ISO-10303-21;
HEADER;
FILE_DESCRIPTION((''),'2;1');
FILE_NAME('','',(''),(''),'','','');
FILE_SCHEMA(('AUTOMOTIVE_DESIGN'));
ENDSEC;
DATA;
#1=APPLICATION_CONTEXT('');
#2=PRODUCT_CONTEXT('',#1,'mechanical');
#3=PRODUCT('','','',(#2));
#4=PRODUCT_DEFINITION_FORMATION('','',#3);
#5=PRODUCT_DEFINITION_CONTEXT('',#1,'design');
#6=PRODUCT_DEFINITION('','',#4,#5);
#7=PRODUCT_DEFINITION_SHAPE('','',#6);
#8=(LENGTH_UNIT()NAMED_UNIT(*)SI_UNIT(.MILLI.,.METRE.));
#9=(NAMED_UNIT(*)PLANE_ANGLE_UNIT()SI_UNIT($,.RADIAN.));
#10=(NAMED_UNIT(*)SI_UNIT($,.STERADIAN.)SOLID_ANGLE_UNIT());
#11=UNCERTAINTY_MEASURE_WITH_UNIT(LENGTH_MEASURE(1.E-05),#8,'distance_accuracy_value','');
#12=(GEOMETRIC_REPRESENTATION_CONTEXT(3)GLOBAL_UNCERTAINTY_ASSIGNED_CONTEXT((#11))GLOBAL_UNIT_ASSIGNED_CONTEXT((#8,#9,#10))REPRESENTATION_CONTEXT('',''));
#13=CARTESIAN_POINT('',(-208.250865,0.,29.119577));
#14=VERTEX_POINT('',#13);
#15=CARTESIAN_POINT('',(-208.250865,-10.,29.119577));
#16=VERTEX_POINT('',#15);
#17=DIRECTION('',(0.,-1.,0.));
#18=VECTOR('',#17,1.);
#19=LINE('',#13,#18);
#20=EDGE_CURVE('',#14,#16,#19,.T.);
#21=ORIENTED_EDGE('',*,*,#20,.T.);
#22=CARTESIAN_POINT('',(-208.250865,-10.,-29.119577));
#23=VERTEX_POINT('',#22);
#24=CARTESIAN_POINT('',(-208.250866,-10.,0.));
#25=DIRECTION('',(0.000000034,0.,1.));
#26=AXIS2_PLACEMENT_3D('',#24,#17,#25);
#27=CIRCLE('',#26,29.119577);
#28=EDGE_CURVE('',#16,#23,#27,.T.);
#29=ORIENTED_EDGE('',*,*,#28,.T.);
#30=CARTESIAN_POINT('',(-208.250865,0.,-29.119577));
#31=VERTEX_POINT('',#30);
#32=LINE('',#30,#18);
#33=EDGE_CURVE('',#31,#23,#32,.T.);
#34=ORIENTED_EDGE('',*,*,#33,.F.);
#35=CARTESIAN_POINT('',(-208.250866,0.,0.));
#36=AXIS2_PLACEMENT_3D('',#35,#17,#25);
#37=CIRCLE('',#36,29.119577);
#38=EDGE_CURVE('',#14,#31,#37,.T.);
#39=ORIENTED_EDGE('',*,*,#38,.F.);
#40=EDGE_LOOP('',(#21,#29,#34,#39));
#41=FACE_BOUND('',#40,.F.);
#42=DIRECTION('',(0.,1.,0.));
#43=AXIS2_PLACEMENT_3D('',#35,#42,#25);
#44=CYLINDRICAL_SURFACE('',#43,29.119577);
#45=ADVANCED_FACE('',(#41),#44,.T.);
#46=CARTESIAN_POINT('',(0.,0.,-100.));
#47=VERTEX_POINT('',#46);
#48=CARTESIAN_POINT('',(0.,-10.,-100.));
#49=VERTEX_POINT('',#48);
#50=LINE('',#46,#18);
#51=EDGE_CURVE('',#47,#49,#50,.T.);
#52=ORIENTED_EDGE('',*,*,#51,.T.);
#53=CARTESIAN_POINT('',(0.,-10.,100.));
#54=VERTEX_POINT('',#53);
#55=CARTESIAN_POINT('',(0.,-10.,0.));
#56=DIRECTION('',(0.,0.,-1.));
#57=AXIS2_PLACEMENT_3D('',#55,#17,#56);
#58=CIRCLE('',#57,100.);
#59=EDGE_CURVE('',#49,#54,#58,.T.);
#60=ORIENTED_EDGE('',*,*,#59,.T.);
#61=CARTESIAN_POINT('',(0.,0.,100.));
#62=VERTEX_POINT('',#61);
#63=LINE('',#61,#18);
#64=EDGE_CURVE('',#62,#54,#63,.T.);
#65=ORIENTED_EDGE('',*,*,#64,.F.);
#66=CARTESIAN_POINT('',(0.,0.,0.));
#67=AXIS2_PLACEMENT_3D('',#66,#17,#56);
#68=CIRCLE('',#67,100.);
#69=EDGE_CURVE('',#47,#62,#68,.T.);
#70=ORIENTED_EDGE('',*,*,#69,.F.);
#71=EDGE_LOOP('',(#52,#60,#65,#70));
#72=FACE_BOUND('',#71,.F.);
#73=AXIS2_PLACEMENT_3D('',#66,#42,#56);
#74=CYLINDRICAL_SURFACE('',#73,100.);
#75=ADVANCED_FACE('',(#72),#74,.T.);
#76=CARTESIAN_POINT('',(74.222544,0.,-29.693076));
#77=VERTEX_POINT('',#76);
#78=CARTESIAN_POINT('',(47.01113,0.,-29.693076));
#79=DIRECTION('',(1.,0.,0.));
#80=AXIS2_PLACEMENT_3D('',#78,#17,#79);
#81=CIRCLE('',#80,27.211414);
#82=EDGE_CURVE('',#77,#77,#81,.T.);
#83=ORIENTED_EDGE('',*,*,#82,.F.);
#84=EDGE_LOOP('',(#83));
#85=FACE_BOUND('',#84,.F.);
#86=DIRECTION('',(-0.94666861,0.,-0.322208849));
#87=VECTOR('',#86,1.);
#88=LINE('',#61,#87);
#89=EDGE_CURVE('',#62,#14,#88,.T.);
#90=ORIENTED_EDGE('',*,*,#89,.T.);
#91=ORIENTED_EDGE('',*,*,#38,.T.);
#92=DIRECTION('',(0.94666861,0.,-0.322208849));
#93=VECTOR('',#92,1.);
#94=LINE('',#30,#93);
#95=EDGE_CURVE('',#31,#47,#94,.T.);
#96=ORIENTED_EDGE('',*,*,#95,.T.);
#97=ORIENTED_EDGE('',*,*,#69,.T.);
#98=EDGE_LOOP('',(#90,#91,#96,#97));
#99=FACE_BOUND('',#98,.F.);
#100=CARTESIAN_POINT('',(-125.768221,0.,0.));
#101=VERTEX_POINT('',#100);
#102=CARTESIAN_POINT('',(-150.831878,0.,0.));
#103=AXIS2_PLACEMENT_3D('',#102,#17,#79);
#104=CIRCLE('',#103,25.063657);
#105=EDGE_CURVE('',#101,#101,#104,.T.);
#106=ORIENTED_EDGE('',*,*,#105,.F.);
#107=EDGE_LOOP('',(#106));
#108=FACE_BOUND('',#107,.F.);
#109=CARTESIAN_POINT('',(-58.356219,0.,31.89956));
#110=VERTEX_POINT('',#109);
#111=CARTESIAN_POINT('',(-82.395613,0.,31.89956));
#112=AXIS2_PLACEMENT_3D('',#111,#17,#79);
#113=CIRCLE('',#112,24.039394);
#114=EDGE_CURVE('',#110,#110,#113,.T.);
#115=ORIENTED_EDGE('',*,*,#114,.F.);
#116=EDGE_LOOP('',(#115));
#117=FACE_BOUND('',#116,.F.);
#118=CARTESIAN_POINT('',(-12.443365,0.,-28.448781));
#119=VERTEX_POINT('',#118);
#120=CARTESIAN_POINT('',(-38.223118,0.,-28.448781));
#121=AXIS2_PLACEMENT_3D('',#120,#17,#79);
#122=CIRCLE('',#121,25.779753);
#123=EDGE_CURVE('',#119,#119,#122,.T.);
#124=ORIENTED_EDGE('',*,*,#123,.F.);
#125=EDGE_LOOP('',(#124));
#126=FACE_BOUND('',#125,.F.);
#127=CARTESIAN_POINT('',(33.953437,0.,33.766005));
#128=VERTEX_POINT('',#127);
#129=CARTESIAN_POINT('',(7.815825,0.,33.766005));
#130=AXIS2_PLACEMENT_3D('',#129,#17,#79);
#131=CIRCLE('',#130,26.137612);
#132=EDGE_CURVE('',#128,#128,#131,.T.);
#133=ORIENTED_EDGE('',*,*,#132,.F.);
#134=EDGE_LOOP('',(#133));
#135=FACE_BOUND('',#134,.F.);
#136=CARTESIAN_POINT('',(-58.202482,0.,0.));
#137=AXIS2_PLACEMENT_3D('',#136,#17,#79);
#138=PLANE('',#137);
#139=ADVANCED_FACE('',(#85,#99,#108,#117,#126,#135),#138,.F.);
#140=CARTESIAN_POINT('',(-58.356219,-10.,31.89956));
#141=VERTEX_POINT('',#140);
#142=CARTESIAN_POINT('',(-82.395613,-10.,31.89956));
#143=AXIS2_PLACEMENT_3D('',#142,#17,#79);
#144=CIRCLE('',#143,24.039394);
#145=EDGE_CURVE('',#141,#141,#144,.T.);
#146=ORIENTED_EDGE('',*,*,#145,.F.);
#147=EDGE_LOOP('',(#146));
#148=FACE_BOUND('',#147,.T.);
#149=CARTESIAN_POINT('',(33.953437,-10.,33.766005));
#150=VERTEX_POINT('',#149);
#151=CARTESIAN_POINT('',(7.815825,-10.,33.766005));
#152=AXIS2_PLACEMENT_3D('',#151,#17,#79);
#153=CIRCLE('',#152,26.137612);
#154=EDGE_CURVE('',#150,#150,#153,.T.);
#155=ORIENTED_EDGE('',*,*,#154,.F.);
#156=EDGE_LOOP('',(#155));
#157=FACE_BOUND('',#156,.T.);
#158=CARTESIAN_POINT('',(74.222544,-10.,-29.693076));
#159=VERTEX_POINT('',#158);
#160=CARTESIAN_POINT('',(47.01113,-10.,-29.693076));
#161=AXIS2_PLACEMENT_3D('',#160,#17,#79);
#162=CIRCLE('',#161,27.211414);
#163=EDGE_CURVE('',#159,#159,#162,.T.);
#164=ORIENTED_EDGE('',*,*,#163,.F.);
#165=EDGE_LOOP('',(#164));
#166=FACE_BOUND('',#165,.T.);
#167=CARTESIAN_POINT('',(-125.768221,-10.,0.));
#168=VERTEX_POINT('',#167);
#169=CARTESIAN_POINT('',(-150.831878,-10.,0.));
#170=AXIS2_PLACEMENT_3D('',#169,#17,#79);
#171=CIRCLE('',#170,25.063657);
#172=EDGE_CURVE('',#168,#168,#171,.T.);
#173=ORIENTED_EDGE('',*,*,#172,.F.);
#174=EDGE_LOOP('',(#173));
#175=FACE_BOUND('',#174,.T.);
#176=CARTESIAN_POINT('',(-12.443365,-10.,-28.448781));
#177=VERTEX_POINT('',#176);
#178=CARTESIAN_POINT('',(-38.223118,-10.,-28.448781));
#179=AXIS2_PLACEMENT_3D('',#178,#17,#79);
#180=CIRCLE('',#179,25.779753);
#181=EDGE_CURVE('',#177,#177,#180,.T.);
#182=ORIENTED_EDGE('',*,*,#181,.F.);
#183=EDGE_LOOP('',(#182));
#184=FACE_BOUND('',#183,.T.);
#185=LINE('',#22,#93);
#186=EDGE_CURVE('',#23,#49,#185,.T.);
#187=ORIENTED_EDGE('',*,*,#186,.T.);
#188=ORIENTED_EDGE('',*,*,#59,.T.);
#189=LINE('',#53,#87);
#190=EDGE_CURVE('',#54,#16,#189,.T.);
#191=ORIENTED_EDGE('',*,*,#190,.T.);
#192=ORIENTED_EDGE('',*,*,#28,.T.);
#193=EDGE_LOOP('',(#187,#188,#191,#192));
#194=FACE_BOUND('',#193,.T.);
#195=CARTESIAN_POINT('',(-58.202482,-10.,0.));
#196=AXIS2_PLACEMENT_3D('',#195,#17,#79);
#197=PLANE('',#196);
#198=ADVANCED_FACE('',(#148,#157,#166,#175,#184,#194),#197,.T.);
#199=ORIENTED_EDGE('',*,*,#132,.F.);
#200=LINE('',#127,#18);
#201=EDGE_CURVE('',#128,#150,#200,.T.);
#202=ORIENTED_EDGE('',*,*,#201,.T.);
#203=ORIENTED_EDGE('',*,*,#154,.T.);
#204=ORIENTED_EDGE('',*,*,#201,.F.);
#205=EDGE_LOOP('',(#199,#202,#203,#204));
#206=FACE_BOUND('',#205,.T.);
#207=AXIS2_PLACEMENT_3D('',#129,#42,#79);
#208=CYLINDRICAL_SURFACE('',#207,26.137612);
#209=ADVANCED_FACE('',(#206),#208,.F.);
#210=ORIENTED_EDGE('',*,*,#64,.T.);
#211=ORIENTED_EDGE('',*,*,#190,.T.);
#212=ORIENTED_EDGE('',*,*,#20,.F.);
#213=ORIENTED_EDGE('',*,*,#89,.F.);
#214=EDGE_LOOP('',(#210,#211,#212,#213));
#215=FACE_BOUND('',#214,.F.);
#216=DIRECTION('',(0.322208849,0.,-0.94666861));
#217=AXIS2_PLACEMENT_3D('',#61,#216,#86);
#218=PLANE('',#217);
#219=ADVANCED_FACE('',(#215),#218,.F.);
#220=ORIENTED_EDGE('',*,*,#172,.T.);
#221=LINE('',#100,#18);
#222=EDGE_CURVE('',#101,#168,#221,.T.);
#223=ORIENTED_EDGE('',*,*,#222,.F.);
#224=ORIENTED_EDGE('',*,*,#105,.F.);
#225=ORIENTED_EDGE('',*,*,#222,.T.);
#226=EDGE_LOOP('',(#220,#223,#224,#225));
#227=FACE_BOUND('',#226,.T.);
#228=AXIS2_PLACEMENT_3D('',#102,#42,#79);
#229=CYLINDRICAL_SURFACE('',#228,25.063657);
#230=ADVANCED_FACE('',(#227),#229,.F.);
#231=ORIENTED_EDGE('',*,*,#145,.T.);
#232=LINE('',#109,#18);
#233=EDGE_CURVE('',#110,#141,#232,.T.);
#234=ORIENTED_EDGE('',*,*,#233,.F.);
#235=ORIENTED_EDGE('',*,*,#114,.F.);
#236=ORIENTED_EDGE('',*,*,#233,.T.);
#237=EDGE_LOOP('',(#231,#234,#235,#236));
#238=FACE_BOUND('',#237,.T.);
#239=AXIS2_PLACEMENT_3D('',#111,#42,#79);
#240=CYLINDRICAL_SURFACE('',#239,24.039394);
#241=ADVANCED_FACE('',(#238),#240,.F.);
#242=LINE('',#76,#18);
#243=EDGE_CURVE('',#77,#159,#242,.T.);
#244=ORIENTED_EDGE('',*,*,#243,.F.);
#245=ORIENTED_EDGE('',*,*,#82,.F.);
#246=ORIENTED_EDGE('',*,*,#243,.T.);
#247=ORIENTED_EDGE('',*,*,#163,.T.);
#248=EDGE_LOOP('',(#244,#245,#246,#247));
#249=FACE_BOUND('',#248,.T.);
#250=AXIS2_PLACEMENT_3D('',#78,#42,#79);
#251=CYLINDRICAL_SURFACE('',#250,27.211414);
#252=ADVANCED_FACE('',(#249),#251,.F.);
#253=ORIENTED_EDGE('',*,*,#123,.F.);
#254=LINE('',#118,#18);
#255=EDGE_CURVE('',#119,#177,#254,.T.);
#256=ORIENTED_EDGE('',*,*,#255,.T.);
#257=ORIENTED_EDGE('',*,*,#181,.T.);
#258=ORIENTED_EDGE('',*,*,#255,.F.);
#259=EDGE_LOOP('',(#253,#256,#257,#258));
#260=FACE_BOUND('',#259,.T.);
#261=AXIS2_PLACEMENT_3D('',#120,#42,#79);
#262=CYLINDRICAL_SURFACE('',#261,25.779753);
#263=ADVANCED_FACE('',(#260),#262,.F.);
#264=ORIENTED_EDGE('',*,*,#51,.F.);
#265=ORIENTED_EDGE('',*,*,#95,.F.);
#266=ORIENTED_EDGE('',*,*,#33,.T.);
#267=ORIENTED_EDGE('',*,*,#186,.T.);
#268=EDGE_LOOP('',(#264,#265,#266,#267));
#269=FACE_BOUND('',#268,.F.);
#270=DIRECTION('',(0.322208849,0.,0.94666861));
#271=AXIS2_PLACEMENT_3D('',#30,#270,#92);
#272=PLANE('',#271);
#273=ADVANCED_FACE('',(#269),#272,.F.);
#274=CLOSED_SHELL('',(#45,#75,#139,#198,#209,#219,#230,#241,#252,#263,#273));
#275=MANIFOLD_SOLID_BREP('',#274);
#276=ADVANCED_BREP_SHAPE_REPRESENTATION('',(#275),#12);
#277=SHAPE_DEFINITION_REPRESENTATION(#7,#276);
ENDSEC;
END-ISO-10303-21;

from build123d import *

# Parameters (mm, degrees)
F0_R     = 25.779753
F0_R_2   = 27.211414
F0_R_3   = 25.063657
F0_R_4   = 24.039394
F0_R_5   = 26.137612
F1_DEPTH = 10


with BuildPart() as f1:
    # F0 (on Front) → F1 (new body)
    with BuildSketch(Plane.XZ):
        with BuildLine():
            Line((-208.250865, -29.119577), (0, -100))
            ThreePointArc((0, -100), (100, 0), (0, 100))
            Line((0, 100), (-208.250865, 29.119577))
            ThreePointArc((-208.250865, 29.119577), (-237.370443, 0), (-208.250865, -29.119577))
        make_face()
        with Locations((-38.223118, -28.448781)):
            Circle(F0_R, mode=Mode.SUBTRACT)
        with Locations((47.01113, -29.693076)):
            Circle(F0_R_2, mode=Mode.SUBTRACT)
        with Locations((-150.831878, 0)):
            Circle(F0_R_3, mode=Mode.SUBTRACT)
        with Locations((-82.395613, 31.89956)):
            Circle(F0_R_4, mode=Mode.SUBTRACT)
        with Locations((7.815825, 33.766005)):
            Circle(F0_R_5, mode=Mode.SUBTRACT)
    extrude(amount=F1_DEPTH)


solid = f1.part
